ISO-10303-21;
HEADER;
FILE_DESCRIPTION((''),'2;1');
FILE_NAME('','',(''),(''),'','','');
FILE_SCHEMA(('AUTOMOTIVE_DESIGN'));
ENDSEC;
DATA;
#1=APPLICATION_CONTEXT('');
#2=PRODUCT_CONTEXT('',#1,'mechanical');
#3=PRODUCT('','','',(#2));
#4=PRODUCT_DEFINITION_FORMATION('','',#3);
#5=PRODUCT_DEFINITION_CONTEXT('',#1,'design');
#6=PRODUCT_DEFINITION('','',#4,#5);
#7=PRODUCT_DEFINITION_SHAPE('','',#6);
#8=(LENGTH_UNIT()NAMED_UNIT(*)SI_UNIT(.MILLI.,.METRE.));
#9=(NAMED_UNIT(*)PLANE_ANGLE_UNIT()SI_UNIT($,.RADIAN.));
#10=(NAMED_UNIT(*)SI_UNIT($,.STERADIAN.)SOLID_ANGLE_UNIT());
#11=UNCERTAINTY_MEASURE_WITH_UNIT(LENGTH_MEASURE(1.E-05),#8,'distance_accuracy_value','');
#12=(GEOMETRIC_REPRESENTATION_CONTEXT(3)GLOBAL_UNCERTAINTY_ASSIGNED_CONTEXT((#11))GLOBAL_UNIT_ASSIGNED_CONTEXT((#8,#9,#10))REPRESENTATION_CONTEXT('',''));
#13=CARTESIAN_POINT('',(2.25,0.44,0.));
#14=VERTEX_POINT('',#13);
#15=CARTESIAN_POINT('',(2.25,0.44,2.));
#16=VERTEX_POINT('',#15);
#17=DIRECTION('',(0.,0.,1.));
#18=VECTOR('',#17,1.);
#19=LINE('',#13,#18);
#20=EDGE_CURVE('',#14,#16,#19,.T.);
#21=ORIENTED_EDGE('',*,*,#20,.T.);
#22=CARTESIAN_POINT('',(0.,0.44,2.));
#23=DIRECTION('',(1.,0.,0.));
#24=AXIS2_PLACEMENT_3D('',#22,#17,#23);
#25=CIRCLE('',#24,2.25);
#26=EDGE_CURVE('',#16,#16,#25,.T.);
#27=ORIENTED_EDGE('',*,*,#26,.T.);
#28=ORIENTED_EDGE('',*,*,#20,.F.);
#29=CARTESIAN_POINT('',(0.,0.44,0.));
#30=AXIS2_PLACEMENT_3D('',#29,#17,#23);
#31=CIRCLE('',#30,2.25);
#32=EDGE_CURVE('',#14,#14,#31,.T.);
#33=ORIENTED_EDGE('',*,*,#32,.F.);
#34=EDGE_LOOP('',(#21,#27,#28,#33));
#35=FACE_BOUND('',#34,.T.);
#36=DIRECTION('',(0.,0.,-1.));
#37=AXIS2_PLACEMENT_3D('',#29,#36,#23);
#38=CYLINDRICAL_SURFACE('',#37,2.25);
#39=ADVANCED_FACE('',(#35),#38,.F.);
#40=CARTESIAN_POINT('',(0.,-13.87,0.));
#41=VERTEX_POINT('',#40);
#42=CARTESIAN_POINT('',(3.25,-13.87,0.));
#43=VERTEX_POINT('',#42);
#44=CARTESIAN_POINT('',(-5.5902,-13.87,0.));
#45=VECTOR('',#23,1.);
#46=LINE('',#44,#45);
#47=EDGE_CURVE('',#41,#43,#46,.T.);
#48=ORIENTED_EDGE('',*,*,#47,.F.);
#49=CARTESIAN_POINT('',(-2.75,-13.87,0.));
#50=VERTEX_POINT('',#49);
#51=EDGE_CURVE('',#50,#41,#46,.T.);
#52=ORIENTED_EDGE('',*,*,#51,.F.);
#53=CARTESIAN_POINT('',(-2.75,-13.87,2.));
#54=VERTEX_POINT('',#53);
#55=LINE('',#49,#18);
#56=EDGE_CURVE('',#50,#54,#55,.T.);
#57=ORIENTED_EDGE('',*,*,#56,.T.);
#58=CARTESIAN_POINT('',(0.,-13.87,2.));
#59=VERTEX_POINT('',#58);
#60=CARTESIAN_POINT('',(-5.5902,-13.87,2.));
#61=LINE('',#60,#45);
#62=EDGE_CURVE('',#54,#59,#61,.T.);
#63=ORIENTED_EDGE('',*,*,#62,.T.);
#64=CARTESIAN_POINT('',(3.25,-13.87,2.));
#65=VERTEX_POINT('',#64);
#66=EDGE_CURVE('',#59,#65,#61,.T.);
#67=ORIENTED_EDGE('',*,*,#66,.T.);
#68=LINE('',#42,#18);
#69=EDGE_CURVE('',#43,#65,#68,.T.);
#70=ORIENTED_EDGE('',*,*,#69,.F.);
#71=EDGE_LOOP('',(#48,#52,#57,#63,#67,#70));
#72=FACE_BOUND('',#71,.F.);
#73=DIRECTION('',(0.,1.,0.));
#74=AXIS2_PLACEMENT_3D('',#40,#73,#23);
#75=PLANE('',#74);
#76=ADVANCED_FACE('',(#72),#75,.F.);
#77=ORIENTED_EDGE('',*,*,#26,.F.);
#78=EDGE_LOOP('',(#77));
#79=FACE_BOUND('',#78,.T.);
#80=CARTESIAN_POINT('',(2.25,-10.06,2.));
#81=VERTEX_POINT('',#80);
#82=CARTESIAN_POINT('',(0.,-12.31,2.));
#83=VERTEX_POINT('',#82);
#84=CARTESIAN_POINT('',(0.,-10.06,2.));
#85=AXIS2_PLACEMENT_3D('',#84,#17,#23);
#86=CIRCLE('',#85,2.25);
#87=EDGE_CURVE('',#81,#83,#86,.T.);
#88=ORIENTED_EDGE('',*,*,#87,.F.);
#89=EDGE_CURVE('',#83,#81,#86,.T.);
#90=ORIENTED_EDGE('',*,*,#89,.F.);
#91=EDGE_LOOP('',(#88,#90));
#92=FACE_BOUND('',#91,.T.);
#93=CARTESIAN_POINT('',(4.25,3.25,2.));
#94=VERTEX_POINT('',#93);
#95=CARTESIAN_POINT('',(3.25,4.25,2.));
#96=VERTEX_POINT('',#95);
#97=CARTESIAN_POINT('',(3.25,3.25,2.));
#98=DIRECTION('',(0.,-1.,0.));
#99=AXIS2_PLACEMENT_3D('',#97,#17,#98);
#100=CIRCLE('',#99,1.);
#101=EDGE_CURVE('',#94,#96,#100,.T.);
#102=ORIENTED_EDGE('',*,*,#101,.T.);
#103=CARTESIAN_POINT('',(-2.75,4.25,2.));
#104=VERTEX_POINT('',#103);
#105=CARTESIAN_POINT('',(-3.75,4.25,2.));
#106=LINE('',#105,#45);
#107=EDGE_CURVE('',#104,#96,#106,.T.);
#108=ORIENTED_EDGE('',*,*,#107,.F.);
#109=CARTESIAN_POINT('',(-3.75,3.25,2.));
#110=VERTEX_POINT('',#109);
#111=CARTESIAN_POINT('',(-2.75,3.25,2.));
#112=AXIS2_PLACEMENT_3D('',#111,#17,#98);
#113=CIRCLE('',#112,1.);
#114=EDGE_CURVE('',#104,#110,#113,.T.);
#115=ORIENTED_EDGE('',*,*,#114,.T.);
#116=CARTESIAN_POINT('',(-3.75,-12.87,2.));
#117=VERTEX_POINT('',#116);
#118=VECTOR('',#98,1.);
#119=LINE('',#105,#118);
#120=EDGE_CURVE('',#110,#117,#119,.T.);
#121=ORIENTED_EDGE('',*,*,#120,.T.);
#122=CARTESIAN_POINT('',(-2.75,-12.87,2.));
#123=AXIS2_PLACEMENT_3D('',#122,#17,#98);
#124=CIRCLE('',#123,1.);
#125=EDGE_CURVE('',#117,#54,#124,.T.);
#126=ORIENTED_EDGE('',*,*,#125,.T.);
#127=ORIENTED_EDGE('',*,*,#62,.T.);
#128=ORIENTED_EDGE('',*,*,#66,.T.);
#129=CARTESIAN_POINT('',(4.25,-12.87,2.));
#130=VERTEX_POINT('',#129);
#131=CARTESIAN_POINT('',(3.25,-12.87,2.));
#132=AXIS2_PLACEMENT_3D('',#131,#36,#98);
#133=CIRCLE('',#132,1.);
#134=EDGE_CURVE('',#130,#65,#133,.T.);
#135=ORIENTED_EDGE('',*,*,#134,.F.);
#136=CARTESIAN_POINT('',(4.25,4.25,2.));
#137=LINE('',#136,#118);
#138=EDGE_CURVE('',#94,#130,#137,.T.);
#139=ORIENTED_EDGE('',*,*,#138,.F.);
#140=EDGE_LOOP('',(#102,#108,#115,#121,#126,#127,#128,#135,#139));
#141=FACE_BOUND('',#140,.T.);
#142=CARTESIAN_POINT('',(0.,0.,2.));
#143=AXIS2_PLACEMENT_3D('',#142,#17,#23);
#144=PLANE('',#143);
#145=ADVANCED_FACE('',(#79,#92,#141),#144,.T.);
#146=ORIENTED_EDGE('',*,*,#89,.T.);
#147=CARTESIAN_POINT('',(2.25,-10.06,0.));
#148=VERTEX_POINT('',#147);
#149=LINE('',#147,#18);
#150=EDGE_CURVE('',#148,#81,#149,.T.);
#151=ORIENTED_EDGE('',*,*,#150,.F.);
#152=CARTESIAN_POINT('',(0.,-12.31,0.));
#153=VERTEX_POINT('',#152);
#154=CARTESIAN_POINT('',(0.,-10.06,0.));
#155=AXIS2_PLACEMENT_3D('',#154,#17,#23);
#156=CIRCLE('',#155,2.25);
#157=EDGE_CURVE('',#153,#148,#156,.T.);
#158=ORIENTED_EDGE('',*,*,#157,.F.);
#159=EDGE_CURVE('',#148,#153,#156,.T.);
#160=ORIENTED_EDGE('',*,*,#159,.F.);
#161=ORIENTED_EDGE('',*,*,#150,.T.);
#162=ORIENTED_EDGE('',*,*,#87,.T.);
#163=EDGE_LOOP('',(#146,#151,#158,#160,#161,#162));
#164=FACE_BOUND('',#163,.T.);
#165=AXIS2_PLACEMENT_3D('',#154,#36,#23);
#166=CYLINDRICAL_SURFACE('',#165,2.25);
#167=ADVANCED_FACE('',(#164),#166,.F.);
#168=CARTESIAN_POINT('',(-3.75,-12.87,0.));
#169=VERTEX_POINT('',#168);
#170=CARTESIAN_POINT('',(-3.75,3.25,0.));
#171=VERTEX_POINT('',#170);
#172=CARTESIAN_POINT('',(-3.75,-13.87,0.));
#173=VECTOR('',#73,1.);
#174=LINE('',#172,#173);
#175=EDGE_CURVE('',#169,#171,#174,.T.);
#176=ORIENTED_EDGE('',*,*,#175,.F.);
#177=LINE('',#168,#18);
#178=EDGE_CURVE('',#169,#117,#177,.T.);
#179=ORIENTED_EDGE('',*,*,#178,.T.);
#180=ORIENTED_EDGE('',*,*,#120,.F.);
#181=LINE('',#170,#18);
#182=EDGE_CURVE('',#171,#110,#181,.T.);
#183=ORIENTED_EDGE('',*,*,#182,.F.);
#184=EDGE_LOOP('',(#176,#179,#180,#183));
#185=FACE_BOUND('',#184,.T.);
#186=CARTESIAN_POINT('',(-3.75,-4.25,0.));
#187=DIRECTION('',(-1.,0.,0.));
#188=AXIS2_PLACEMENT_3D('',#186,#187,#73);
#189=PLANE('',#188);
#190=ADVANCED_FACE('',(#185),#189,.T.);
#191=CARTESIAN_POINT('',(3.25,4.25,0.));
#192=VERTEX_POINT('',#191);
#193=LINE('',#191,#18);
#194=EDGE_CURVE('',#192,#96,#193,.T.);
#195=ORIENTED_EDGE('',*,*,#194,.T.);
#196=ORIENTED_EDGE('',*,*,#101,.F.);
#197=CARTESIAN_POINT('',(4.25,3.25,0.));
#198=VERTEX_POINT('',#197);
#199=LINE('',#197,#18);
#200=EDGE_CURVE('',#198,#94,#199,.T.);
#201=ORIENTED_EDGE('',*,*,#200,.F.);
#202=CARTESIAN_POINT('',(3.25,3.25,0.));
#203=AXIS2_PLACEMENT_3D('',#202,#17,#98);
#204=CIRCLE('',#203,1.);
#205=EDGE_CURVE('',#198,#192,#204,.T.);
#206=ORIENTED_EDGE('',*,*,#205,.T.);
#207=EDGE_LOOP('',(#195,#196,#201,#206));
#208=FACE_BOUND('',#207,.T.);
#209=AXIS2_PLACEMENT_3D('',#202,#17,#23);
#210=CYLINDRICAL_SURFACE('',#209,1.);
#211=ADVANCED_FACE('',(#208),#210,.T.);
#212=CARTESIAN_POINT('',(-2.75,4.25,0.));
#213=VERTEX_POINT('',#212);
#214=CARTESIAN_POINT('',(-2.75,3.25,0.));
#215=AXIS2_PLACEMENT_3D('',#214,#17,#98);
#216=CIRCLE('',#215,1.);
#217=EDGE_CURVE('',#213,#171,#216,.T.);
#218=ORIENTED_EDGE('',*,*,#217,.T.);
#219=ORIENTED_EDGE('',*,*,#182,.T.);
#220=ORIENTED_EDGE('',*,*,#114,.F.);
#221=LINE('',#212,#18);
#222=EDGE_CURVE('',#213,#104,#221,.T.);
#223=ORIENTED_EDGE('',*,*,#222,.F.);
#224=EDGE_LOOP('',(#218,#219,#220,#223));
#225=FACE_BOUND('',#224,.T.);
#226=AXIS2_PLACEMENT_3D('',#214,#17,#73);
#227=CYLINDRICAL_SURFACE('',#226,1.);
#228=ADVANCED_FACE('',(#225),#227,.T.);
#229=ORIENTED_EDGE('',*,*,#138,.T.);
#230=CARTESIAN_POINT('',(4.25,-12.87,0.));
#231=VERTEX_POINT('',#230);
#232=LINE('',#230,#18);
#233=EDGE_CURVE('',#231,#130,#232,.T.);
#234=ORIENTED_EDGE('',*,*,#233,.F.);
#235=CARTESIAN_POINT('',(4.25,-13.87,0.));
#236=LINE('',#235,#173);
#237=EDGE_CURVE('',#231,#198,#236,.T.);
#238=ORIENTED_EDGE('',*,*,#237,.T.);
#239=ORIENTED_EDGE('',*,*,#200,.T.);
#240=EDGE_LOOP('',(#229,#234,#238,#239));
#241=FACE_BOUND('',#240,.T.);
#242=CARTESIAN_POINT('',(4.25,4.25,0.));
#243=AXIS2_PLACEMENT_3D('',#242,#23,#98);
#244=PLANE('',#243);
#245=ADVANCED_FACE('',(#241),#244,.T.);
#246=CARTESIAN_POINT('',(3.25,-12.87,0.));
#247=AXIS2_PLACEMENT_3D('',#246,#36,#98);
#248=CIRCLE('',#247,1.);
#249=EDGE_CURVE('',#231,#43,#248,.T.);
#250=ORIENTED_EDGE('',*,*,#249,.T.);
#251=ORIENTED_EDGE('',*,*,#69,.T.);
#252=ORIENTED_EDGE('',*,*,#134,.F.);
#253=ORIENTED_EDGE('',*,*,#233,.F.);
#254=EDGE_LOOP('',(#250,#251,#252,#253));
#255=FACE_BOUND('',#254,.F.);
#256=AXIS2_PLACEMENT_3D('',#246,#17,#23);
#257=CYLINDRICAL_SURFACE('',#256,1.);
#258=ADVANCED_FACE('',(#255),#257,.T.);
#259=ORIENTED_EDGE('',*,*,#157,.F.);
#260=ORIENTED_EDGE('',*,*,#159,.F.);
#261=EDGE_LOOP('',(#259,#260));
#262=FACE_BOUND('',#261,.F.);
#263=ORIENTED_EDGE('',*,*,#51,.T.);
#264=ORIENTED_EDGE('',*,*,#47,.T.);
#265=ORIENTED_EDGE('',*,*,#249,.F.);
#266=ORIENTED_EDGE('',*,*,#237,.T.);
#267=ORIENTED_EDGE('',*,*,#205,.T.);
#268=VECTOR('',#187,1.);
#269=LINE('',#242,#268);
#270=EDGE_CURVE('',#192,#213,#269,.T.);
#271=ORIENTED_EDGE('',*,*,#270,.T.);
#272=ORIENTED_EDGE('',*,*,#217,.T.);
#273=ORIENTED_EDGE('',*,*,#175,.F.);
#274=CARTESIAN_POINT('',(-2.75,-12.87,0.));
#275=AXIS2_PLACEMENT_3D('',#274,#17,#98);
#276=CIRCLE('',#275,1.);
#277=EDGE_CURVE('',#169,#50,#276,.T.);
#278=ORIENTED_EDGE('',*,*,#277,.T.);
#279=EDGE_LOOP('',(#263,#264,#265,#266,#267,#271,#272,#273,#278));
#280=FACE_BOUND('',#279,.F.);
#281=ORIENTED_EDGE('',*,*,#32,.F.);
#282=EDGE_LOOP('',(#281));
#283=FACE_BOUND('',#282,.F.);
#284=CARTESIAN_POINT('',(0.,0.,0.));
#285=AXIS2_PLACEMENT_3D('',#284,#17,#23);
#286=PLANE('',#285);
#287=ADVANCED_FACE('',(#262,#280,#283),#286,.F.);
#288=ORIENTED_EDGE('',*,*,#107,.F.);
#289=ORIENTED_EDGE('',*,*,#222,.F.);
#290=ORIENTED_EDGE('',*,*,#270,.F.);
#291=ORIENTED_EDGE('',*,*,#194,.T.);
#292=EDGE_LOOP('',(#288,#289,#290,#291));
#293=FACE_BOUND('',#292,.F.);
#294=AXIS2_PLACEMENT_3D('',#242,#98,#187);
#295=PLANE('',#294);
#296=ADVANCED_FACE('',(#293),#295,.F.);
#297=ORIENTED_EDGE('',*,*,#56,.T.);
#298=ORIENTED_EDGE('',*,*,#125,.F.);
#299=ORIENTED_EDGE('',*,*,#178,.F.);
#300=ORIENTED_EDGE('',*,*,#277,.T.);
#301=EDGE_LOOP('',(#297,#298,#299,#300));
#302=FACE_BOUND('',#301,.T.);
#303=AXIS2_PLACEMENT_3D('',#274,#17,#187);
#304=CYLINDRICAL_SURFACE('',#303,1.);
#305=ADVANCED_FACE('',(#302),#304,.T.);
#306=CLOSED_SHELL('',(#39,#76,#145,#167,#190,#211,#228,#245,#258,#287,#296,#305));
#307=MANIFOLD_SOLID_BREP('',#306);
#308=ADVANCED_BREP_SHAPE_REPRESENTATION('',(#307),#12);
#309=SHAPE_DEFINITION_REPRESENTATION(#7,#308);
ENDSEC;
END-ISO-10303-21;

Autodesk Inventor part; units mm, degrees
ref_plane "YZ Plane" through (0, 0, 0) normal (1, 0, 0) x (0, 1, 0)
ref_plane "XZ Plane" through (0, 0, 0) normal (0, 1, 0) x (-1, 0, 0)
ref_plane "XY Plane" through (0, 0, 0) normal (0, 0, 1) x (1, 0, 0)
sketch "Sketch1" plane through (0, 0, 0) normal (0, 0, 1) x (1, 0, 0)
  circle A0 centre (0, 0.44) radius 1.5 projected
  line L0 (5.5902, 4.25) -> (-5.5902, 4.25) projected
  line L1 (-5.5902, 4.25) -> (-5.5902, -4.25) projected
  line L2 (-5.5902, -4.25) -> (5.5902, -4.25) projected
  line L3 (5.5902, -4.25) -> (5.5902, 4.25) projected
  circle A1 centre (0, -10.06) radius 1.5 projected
  line L4 (5.5902, -6.25) -> (-5.5902, -6.25) projected
  line L5 (-5.5902, -6.25) -> (-5.5902, -13.87) projected
  line L6 (-5.5902, -13.87) -> (5.5902, -13.87) projected
  line L7 (5.5902, -13.87) -> (5.5902, -6.25) projected
  circle A2 centre (0, 0.44) radius 2.25
  circle A3 centre (0, -10.06) radius 2.25
  line L8 (2.25, 4.25) -> (4.25, 4.25)
  line L9 (4.25, 4.25) -> (-3.75, 4.25)
  line L10 (0, -10.06) -> (0, -13.87)
  line L11 (4.25, 4.25) -> (4.25, -13.87)
  line L12 (4.25, -13.87) -> (-3.75, -13.87)
  line L13 (-3.75, -13.87) -> (-3.75, 4.25)
  point P0 (0, 0)
  dimension "d0" = 4.5
  dimension "d1" = 4.5
  dimension "d2" = 2
  dimension "d3" = 8
extrude "Extrusion1" add sketch "Sketch1" along normal blind 2 contours L11 L2 L13 L0 | L11 L4 L13 L2 | L11 L6 L13 L4
fillet "Fillet1" radius 1 4 edges at (-3.75, -13.87, 1) (-3.75, 4.25, 1) (4.25, -13.87, 1) (4.25, 4.25, 1)
properties part number "TailConnector2"
